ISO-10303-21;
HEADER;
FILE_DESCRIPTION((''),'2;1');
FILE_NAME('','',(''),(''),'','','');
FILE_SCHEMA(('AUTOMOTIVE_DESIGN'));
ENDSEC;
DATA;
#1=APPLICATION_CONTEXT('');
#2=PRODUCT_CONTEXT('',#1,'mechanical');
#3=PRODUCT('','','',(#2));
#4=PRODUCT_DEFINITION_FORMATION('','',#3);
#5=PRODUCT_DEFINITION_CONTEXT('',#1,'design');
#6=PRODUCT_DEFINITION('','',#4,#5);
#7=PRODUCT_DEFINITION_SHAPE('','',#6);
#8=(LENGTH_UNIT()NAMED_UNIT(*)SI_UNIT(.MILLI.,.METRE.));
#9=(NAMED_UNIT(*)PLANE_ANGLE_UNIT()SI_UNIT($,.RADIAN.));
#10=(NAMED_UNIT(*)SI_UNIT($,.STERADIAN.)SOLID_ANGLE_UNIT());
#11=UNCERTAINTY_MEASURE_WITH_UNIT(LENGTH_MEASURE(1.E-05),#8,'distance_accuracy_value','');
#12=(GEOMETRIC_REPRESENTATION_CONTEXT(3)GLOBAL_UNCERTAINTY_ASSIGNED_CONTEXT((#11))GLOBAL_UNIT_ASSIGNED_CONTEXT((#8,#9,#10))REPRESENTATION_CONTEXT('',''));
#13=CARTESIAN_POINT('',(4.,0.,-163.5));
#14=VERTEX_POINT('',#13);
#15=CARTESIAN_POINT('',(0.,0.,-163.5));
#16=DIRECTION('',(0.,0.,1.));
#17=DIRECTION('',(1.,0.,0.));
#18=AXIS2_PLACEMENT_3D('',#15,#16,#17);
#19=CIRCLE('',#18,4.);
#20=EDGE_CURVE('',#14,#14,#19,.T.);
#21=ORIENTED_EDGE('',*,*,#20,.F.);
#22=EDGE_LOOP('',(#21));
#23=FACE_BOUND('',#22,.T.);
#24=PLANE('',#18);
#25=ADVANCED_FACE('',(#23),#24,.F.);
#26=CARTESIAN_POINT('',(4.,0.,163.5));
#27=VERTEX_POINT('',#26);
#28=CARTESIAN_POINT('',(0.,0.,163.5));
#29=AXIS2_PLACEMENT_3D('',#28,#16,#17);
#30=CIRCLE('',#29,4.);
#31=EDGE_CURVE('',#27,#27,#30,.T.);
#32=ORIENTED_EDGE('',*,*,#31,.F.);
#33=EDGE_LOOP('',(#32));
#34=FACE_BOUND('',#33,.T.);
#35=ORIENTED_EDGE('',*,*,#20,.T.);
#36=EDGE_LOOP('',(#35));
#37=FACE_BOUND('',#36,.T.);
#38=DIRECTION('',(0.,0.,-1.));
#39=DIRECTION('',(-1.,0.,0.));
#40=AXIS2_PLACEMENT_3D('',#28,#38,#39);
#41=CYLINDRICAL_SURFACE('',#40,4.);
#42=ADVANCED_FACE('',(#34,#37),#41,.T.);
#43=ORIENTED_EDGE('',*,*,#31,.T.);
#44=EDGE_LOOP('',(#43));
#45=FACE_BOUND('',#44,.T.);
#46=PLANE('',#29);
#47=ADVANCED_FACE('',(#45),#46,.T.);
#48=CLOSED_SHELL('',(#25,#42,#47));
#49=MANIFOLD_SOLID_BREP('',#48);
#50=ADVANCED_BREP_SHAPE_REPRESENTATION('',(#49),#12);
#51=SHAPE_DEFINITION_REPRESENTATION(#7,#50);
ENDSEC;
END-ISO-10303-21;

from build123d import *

# Parameters (mm, degrees)
SKETCH1_R           = 4
BOSS_EXTRUDE1_DEPTH = 163.5


with BuildPart() as part:
    # Sketch1 → Boss-Extrude1 (new body, symmetric)
    with BuildSketch(Plane.XY):
        Circle(SKETCH1_R)
    extrude(amount=BOSS_EXTRUDE1_DEPTH, both=True)


solid = part.part
